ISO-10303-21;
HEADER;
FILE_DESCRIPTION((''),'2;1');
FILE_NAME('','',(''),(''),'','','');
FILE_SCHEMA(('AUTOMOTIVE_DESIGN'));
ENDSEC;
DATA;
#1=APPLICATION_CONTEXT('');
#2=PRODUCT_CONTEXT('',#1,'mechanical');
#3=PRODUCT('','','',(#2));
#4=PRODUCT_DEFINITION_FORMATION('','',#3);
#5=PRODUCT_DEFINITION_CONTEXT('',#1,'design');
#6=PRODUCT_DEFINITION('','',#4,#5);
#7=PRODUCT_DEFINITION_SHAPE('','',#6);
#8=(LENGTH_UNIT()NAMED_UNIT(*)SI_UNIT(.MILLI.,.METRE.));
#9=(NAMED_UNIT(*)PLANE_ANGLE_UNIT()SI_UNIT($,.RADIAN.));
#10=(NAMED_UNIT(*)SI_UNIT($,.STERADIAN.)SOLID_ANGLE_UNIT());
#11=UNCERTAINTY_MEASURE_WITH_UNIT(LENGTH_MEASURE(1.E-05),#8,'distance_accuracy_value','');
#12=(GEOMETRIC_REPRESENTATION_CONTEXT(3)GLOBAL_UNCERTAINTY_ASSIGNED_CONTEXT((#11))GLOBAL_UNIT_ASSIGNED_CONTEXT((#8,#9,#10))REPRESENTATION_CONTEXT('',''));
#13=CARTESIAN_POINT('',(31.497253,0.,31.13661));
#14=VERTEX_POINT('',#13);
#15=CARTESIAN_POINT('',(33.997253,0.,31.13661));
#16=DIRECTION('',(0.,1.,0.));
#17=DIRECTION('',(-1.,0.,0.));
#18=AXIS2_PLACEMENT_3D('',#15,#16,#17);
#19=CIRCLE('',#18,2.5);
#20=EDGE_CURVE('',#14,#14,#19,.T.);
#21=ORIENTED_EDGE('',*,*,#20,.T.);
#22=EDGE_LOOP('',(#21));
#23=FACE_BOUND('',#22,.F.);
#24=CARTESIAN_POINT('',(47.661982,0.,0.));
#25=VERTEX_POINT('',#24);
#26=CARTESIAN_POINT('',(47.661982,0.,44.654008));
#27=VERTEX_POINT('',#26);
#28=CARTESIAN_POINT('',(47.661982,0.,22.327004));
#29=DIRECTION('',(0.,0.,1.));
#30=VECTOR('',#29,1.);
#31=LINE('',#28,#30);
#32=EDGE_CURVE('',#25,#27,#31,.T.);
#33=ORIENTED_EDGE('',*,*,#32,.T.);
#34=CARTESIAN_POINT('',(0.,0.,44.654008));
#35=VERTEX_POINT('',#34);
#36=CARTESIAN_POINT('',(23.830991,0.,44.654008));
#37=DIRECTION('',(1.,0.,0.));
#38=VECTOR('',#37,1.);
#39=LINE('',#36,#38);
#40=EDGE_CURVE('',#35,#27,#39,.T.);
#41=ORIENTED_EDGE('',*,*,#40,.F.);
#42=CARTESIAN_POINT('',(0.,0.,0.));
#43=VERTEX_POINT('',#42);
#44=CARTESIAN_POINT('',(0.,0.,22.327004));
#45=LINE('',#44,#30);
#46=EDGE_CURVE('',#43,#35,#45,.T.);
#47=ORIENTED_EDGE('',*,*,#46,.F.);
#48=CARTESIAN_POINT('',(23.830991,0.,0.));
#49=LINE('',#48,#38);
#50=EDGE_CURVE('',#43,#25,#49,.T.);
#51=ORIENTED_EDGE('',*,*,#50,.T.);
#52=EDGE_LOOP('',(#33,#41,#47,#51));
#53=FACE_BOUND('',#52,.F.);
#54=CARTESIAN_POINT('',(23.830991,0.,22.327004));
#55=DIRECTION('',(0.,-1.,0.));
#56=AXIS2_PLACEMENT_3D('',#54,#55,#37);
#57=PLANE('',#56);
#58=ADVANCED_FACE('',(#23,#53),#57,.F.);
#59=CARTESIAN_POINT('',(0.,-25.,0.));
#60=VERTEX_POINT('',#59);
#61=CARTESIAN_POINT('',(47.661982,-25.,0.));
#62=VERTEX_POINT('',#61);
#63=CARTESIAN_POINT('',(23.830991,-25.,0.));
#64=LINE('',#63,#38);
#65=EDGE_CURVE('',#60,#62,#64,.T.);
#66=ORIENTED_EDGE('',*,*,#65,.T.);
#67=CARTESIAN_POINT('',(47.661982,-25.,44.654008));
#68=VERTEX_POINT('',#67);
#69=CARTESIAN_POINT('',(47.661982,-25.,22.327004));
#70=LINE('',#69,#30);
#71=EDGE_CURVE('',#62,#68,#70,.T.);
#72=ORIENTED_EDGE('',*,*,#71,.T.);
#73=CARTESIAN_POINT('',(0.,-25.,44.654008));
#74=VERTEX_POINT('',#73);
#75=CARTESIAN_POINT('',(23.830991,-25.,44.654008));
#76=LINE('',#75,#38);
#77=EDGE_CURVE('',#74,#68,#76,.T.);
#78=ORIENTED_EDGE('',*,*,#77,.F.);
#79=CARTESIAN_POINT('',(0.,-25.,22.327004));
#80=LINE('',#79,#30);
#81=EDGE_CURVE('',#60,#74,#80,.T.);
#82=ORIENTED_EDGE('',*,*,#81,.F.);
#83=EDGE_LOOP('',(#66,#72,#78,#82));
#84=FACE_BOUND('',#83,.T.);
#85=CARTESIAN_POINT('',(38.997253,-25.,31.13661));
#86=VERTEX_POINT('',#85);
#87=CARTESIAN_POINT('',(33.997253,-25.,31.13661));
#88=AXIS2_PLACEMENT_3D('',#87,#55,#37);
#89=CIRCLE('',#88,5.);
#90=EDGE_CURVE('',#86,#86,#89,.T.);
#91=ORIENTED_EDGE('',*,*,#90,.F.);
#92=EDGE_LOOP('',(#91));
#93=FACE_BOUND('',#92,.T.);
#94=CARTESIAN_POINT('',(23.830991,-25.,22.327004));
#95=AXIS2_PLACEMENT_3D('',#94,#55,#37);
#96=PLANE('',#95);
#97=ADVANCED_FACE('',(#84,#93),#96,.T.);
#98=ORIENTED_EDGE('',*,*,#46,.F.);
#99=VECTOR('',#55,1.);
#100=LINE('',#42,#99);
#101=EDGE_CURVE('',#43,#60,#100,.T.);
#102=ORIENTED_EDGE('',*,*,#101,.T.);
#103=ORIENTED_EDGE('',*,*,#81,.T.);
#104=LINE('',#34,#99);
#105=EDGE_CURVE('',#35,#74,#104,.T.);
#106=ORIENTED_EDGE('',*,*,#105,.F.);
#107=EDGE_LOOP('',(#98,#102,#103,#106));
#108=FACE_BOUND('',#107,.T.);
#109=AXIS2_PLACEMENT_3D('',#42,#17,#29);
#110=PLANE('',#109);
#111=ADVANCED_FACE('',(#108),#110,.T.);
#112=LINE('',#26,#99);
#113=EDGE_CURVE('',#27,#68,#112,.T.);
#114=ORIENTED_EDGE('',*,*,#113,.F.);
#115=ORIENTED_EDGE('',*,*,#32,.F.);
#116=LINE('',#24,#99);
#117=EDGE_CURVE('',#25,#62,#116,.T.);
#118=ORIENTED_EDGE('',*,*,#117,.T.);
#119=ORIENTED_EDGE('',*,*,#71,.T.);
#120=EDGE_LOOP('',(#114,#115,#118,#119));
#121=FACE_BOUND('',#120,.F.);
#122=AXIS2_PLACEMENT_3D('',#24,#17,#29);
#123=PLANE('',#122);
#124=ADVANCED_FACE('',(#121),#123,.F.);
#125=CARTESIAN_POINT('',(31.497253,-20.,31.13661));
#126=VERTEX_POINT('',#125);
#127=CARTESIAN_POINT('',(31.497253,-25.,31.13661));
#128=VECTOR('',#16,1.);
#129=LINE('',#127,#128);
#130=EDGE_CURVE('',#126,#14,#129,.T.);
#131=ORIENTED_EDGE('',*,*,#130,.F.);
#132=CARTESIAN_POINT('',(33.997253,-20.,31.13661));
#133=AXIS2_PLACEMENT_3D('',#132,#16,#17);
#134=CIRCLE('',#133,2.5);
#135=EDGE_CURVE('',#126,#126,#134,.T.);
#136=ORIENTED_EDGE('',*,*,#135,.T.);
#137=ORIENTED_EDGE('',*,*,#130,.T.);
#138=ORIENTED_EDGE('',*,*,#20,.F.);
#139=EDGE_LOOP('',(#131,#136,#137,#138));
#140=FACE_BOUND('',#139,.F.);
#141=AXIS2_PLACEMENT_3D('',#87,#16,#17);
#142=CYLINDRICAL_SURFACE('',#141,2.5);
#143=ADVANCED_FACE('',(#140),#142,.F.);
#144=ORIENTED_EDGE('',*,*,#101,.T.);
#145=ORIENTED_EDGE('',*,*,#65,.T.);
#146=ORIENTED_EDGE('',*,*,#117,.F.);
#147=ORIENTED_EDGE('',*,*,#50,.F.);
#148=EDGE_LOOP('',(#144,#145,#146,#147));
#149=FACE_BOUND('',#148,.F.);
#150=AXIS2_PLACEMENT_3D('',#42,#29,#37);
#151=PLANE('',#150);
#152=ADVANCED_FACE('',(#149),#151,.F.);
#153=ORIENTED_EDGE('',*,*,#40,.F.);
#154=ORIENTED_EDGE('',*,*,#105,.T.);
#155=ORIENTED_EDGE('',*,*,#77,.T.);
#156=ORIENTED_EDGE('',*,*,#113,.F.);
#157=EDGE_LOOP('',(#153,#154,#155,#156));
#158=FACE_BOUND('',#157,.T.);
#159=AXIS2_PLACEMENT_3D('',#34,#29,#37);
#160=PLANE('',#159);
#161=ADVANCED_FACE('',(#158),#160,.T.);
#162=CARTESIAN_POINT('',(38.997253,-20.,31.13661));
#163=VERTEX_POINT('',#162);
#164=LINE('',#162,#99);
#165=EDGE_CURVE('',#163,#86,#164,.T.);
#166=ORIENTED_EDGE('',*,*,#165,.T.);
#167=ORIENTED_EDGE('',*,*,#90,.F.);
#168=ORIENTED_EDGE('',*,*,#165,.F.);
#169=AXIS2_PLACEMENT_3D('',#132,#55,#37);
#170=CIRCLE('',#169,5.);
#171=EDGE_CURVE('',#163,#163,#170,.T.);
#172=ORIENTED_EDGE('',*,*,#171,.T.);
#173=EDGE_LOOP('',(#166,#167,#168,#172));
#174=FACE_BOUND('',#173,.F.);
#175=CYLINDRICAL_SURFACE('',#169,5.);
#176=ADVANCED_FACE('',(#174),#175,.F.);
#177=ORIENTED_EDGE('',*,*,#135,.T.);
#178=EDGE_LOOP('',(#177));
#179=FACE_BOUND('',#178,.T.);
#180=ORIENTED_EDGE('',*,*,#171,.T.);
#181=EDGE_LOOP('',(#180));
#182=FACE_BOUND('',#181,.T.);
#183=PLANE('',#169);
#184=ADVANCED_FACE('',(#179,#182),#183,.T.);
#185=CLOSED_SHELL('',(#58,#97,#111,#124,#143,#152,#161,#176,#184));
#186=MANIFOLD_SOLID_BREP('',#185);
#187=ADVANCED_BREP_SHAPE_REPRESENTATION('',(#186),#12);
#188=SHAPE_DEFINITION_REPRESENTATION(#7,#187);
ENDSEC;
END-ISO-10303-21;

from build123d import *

# Parameters (mm, degrees)
F0_W           = 47.661982
F0_H           = 44.654008
F1_DEPTH       = 25
F3_D           = 5
F3_CBORE_D     = 10
F3_CBORE_DEPTH = 5


with BuildPart() as f1:
    # F0 (on Front) → F1 (new body)
    with BuildSketch(Plane.XZ):
        with Locations((23.830991, 22.327004)):
            Rectangle(F0_W, F0_H)
    extrude(amount=F1_DEPTH)

    # F3 (through all)
    with Locations(Plane.XZ.offset(25)):
        with Locations((33.997253, 31.13661)):
            CounterBoreHole(F3_D / 2, F3_CBORE_D / 2, F3_CBORE_DEPTH)


solid = f1.part
